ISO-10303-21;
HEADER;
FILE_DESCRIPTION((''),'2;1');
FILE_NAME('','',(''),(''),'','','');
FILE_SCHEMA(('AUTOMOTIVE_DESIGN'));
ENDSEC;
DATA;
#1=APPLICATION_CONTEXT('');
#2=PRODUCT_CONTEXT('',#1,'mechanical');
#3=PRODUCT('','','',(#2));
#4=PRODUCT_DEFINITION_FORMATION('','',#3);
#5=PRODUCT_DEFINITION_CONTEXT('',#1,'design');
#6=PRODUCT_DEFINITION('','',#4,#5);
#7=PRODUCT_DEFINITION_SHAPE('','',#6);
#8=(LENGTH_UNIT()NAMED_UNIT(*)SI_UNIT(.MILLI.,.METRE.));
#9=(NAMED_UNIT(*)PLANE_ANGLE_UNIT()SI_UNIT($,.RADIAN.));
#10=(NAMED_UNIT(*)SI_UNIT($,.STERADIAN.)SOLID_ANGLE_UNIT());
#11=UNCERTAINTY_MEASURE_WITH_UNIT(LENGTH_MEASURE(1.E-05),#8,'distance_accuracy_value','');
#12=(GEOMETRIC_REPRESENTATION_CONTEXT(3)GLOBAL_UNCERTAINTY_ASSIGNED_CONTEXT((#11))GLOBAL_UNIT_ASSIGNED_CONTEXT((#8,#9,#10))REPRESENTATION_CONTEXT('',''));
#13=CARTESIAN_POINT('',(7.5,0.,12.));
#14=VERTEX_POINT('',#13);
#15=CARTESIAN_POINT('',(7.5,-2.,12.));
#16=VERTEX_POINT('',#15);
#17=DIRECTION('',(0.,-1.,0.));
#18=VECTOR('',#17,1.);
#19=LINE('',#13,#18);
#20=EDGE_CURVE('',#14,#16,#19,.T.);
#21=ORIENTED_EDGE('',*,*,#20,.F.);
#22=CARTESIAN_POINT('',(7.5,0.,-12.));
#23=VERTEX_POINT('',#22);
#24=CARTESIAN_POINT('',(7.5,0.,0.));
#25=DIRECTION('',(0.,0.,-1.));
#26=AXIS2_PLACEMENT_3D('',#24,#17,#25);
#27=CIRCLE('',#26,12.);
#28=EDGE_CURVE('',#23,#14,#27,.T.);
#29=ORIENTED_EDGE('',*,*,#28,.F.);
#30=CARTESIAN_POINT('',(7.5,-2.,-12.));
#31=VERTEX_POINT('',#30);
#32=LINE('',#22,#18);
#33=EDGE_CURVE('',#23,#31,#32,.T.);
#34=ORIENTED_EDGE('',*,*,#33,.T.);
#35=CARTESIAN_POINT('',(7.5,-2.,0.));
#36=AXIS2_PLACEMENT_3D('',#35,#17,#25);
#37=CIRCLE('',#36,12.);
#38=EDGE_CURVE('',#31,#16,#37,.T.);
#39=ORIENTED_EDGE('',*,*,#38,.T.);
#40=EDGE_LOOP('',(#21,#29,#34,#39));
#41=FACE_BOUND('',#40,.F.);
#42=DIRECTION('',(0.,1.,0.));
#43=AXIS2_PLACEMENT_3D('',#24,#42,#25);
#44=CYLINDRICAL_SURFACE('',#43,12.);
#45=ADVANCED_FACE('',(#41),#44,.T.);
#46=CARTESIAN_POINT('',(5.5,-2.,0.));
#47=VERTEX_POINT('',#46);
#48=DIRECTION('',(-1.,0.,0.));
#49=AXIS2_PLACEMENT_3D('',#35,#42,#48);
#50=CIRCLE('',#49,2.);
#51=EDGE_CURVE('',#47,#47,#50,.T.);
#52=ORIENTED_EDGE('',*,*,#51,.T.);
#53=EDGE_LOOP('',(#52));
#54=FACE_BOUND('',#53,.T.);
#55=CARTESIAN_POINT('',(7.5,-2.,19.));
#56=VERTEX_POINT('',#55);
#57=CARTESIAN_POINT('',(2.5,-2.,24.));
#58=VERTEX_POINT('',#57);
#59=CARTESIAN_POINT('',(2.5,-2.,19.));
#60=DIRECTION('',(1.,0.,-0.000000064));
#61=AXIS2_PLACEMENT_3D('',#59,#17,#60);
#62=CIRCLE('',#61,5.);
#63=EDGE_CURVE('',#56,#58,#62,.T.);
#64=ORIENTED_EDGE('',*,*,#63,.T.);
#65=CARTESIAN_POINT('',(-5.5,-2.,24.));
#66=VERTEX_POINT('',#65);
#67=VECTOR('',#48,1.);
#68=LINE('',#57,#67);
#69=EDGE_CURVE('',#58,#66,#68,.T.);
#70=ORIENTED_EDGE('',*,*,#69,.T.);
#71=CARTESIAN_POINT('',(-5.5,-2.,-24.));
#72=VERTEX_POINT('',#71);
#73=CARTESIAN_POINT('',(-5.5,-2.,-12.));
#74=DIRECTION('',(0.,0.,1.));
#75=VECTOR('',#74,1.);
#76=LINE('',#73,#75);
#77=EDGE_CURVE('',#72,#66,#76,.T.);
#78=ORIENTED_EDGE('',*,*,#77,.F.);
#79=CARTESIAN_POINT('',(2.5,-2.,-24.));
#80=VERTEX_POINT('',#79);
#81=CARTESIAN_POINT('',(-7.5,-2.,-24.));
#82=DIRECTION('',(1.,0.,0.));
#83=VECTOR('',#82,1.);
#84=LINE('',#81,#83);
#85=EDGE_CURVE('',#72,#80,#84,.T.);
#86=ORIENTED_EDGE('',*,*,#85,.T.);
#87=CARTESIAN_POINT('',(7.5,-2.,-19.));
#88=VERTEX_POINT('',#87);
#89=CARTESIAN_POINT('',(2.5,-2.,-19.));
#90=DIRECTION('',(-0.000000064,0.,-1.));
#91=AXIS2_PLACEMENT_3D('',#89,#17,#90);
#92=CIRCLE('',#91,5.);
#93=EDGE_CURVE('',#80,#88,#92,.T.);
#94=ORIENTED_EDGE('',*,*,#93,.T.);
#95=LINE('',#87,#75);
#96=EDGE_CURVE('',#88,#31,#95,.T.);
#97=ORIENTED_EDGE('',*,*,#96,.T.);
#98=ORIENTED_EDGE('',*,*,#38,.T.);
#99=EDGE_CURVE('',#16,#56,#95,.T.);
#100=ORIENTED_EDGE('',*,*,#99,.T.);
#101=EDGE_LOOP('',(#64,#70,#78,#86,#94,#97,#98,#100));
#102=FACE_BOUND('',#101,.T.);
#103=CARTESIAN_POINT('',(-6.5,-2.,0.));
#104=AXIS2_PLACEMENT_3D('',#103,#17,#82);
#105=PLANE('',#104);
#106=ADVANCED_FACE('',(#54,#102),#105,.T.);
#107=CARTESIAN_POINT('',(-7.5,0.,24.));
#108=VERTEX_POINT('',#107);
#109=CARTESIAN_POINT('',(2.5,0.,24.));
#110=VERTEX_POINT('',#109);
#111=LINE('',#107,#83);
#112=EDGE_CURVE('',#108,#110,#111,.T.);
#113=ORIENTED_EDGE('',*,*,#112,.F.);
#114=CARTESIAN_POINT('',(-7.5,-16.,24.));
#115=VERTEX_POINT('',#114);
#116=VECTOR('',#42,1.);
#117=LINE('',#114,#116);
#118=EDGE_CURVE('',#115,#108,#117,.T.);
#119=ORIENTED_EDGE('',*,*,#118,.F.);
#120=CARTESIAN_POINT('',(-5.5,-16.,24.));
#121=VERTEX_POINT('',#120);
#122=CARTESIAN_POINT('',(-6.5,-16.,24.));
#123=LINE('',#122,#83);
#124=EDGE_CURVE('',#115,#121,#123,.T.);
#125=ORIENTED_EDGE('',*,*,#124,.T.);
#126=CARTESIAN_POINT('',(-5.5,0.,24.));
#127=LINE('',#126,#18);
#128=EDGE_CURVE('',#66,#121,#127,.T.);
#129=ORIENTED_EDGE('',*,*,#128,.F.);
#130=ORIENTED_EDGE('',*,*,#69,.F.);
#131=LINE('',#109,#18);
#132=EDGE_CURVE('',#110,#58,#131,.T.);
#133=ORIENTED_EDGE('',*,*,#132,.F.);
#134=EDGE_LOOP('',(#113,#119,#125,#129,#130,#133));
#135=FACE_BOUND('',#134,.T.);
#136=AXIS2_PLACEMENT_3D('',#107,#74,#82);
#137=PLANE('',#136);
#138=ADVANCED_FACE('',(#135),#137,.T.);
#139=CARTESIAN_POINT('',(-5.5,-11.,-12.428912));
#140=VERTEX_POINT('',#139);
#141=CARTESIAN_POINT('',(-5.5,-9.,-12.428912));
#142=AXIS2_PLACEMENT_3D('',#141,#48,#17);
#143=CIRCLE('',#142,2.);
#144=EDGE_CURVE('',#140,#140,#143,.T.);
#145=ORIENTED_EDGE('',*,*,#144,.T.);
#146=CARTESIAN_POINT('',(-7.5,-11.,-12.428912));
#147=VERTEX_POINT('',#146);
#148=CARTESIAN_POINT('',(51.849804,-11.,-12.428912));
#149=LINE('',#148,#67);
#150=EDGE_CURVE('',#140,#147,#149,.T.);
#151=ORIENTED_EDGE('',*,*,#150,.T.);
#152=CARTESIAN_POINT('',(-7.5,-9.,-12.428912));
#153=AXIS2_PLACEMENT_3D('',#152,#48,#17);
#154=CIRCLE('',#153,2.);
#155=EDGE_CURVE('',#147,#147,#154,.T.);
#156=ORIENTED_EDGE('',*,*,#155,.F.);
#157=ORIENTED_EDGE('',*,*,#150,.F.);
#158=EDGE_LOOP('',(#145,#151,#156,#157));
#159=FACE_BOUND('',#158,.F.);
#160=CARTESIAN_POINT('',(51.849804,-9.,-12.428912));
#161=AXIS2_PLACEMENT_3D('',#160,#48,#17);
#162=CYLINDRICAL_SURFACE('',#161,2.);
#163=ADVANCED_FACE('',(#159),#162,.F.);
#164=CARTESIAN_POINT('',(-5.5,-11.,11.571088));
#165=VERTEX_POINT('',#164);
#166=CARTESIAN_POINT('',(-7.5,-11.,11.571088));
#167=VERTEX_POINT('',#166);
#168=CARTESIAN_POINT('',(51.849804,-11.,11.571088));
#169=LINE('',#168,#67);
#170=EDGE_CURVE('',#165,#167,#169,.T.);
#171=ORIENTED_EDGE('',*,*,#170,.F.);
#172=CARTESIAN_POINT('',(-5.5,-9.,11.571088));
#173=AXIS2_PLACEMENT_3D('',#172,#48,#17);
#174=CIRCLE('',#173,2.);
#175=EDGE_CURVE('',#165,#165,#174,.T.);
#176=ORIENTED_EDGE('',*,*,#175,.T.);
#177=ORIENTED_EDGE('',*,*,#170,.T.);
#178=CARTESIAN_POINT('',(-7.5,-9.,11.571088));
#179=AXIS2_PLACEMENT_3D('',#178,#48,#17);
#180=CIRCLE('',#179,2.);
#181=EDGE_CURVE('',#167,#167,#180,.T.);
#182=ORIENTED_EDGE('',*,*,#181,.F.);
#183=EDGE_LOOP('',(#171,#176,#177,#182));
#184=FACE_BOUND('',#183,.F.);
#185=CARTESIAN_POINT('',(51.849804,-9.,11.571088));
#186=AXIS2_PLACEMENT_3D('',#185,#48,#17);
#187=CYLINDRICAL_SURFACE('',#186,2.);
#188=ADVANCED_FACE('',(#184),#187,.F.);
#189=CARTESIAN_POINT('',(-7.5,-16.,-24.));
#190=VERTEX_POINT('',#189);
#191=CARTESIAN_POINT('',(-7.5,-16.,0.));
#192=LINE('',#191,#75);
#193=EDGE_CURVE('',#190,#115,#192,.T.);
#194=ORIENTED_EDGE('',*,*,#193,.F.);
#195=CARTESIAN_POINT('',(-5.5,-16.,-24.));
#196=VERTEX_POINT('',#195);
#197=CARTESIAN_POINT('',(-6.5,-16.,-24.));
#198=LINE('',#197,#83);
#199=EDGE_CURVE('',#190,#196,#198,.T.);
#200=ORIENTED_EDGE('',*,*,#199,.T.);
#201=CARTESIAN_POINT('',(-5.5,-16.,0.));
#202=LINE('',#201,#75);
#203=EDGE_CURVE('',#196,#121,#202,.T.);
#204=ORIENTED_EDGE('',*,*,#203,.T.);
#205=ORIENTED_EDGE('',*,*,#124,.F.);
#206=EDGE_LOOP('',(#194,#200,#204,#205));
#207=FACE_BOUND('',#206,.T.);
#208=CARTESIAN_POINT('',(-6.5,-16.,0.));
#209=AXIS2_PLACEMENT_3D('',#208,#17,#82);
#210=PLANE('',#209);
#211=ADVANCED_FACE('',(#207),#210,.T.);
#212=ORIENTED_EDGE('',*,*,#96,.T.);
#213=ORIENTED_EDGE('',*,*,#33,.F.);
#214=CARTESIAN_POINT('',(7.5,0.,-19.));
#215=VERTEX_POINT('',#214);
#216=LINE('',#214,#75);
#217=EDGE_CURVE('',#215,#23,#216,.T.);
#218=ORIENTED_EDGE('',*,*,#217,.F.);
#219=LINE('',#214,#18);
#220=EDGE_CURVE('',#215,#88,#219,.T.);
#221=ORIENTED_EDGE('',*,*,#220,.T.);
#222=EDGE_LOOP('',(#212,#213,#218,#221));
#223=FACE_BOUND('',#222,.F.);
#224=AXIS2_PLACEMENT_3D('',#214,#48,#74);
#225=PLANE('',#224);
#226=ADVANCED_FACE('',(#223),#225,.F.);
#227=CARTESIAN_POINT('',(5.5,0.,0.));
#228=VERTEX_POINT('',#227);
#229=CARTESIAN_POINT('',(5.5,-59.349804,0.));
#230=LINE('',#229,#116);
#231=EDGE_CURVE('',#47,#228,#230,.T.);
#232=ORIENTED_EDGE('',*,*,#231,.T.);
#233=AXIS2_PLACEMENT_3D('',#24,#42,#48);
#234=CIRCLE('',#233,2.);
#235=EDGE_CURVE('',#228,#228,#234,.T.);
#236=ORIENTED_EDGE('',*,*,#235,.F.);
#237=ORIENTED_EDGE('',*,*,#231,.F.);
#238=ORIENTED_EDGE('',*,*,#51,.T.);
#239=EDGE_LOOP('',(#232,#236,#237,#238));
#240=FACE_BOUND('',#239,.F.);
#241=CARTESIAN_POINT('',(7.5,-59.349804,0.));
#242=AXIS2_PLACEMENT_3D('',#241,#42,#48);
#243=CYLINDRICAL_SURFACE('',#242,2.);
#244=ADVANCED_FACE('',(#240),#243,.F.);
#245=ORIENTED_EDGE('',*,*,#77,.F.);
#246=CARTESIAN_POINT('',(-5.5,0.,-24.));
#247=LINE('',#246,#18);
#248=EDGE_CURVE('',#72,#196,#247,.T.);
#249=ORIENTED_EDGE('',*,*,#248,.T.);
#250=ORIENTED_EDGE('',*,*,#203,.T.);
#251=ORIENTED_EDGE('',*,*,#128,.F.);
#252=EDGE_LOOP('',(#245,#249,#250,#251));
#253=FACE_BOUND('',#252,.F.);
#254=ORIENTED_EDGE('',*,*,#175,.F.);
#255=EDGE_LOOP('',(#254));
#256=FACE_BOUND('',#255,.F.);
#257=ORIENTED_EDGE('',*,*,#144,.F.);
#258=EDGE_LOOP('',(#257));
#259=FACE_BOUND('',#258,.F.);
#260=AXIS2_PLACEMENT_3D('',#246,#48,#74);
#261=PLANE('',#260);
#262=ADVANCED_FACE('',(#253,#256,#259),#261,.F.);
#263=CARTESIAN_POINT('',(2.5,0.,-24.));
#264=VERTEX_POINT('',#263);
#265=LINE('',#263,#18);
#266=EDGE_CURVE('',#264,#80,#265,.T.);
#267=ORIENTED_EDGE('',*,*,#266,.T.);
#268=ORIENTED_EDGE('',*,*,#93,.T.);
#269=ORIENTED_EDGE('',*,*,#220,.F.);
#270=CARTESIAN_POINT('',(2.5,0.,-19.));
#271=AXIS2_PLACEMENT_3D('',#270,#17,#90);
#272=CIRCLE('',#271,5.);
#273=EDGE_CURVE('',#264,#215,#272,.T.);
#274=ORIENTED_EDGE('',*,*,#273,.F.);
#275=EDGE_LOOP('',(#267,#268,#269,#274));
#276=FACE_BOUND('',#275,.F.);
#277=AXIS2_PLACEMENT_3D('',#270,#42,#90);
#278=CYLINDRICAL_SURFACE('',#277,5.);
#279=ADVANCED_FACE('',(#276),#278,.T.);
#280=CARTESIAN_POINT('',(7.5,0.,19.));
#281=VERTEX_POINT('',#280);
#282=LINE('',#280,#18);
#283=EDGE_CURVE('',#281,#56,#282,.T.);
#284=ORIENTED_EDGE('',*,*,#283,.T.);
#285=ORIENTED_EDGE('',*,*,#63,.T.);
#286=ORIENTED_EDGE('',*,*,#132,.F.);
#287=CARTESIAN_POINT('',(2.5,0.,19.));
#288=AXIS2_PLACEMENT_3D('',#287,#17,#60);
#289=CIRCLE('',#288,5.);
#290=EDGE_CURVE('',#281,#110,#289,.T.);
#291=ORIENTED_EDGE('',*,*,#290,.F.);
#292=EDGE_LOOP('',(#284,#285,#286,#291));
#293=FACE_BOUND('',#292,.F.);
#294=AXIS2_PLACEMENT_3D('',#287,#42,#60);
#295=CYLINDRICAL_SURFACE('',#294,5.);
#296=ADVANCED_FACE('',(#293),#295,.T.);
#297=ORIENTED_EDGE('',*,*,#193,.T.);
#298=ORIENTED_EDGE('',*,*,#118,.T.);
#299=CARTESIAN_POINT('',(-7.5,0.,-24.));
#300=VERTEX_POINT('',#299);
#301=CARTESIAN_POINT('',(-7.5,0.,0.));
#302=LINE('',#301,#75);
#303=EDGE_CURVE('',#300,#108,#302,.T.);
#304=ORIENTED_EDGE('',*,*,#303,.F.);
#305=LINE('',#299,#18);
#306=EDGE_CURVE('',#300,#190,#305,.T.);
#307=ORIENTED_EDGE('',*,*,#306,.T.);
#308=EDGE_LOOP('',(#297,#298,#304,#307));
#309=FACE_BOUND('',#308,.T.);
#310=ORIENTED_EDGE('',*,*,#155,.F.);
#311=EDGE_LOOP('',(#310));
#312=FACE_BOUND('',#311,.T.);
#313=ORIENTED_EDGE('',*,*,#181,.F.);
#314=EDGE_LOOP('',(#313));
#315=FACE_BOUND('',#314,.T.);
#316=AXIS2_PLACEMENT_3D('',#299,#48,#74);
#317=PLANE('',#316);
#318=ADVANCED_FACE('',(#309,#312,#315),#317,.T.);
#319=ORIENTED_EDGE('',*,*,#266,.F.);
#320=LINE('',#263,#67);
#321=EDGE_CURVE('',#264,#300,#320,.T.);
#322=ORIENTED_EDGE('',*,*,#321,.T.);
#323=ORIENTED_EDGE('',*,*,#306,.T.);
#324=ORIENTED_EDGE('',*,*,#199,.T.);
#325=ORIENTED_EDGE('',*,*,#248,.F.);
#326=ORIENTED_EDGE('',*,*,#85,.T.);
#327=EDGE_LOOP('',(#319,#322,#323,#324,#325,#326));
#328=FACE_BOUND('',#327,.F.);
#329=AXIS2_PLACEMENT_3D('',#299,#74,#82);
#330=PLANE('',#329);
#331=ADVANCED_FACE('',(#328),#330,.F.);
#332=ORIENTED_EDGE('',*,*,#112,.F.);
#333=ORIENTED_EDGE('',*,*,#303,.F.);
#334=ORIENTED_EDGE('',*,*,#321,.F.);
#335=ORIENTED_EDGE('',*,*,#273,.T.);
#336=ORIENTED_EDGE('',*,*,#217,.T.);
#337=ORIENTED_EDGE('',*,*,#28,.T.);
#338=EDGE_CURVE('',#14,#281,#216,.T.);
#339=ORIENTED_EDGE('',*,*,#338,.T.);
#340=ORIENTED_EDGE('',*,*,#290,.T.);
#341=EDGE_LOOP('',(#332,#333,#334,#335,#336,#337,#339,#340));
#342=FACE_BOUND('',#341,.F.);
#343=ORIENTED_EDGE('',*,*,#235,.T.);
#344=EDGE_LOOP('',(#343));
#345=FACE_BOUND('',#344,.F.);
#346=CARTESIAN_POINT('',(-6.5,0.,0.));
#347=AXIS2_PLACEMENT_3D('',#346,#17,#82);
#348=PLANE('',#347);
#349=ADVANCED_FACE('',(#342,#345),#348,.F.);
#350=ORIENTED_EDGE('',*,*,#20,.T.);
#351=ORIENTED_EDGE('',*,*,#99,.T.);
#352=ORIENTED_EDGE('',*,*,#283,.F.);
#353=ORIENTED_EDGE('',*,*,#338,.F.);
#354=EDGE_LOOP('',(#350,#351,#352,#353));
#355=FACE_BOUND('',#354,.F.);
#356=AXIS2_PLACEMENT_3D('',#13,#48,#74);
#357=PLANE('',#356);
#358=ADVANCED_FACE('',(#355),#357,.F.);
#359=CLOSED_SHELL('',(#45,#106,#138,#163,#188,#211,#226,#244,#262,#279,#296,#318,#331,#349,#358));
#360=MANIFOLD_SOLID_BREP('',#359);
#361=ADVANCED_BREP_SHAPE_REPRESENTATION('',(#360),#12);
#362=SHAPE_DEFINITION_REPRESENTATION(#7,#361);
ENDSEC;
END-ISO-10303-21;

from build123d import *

# Parameters (mm, degrees)
F0_W     = 2
F0_H     = 48
F1_DEPTH = 16
F2_DEPTH = 2
F4_D     = 4
F6_D     = 4


with BuildPart() as f1:
    # F0 (on Front) → F1 (new body)
    with BuildSketch(Plane.XZ):
        with Locations((-6.5, 0)):
            Rectangle(F0_W, F0_H)
    extrude(amount=F1_DEPTH)

    # F0 (on Front) → F2 (join)
    with BuildSketch(Plane.XZ):
        with Locations((-6.5, 0)):
            Rectangle(F0_W, F0_H)
        with BuildLine():
            Line((-5.5, 24), (-5.5, -24))
            Line((-5.5, -24), (2.5, -24))
            ThreePointArc((2.5, -24), (6.035534, -22.535534), (7.5, -19))
            Line((7.5, -19), (7.5, -12))
            Line((7.5, -12), (7.5, 12))
            Line((7.5, 12), (7.5, 19))
            ThreePointArc((7.5, 19), (6.035534, 22.535534), (2.5, 24))
            Line((2.5, 24), (-5.5, 24))
        make_face()
        with BuildLine():
            Line((7.5, 12), (7.5, -12))
            ThreePointArc((7.5, -12), (19.5, 0), (7.5, 12))
        make_face()
    extrude(amount=F2_DEPTH)

    # F4 (through all)
    with Locations(Plane.XZ.offset(2)):
        with Locations((7.5, 0)):
            Hole(F4_D / 2)

    # F6 (through all)
    with Locations(Plane.YZ.offset(-5.5)):
        with Locations((-9, -12.428912), (-9, 11.571088)):
            Hole(F6_D / 2)


solid = f1.part
